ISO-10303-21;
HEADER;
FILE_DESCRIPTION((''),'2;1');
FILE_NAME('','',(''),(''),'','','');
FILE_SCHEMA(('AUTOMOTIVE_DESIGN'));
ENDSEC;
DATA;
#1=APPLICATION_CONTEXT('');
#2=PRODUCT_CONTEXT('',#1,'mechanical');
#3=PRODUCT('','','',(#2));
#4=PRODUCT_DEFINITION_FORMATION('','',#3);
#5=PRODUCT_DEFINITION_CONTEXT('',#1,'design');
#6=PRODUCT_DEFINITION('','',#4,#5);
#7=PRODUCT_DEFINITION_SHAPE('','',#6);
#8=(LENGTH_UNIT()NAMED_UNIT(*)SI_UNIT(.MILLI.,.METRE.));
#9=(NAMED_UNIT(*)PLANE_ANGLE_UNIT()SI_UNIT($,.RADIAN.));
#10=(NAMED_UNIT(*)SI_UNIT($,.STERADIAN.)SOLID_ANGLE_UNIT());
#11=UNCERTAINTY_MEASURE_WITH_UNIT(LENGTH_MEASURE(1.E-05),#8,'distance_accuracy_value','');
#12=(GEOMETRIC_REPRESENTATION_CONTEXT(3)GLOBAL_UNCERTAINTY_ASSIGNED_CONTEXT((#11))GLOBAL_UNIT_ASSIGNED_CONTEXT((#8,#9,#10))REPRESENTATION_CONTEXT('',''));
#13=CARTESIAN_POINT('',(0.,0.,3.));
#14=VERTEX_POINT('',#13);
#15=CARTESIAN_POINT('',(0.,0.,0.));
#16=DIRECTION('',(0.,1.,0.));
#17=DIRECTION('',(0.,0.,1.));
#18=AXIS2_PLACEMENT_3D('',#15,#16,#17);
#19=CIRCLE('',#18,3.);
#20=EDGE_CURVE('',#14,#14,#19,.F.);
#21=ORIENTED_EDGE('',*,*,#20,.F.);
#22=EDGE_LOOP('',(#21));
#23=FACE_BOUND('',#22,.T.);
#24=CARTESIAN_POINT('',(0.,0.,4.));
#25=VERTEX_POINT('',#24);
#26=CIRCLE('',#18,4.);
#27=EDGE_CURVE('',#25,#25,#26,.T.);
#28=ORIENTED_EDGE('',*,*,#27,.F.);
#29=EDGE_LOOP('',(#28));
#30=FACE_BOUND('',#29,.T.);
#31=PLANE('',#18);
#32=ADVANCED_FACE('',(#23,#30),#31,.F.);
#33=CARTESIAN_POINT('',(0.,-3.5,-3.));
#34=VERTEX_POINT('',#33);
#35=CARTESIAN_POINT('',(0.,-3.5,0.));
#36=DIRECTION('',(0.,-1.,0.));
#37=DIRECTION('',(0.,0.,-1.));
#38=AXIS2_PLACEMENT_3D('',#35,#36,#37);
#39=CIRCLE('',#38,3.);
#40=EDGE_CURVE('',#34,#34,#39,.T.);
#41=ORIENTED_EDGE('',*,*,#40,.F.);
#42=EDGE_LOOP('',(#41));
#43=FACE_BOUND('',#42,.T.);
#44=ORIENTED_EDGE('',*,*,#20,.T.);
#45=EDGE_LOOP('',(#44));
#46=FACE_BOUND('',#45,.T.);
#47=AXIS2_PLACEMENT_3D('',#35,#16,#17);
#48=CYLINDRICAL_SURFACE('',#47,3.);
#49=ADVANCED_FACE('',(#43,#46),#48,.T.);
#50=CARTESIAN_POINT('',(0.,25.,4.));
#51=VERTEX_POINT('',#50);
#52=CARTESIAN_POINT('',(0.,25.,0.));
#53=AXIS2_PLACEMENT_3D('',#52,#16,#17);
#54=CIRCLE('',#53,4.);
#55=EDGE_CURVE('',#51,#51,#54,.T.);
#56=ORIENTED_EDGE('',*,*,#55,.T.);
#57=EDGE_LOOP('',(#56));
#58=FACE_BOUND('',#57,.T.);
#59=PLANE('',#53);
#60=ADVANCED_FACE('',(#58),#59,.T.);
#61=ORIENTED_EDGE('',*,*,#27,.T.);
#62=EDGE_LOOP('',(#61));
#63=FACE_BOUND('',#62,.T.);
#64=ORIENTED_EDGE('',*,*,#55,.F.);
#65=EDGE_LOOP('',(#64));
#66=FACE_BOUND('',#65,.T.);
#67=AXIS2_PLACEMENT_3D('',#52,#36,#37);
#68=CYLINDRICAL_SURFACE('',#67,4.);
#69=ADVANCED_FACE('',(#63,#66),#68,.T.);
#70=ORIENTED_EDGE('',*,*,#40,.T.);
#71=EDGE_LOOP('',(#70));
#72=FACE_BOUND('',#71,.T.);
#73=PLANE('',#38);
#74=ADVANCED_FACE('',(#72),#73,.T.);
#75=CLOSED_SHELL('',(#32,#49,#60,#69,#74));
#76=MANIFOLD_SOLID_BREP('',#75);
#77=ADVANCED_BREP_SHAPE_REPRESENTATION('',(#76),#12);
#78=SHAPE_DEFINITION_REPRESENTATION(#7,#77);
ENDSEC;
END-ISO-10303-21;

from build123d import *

# Parameters (mm, degrees)
SKETCH_1_R      = 4
EXTRUDE_1_DEPTH = 25
SKETCH_2_R      = 3
EXTRUDE_2_DEPTH = 3.5


with BuildPart() as part:
    # Эскиз1 → Бобышка-Вытянуть1 (new body)
    with BuildSketch(Plane(origin=(0, 0, 0), x_dir=(1, 0, 0), z_dir=(0, 1, 0))):
        with Locations(Location((0, 0, 0), (0, 0, 270))):
            Circle(SKETCH_1_R)
    extrude(amount=EXTRUDE_1_DEPTH)

    # Эскиз2 → Бобышка-Вытянуть2 (add)
    with BuildSketch(Plane.XZ):
        with Locations(Location((0, 0, 0), (0, 0, 90))):
            Circle(SKETCH_2_R)
    extrude(amount=EXTRUDE_2_DEPTH)


solid = part.part
